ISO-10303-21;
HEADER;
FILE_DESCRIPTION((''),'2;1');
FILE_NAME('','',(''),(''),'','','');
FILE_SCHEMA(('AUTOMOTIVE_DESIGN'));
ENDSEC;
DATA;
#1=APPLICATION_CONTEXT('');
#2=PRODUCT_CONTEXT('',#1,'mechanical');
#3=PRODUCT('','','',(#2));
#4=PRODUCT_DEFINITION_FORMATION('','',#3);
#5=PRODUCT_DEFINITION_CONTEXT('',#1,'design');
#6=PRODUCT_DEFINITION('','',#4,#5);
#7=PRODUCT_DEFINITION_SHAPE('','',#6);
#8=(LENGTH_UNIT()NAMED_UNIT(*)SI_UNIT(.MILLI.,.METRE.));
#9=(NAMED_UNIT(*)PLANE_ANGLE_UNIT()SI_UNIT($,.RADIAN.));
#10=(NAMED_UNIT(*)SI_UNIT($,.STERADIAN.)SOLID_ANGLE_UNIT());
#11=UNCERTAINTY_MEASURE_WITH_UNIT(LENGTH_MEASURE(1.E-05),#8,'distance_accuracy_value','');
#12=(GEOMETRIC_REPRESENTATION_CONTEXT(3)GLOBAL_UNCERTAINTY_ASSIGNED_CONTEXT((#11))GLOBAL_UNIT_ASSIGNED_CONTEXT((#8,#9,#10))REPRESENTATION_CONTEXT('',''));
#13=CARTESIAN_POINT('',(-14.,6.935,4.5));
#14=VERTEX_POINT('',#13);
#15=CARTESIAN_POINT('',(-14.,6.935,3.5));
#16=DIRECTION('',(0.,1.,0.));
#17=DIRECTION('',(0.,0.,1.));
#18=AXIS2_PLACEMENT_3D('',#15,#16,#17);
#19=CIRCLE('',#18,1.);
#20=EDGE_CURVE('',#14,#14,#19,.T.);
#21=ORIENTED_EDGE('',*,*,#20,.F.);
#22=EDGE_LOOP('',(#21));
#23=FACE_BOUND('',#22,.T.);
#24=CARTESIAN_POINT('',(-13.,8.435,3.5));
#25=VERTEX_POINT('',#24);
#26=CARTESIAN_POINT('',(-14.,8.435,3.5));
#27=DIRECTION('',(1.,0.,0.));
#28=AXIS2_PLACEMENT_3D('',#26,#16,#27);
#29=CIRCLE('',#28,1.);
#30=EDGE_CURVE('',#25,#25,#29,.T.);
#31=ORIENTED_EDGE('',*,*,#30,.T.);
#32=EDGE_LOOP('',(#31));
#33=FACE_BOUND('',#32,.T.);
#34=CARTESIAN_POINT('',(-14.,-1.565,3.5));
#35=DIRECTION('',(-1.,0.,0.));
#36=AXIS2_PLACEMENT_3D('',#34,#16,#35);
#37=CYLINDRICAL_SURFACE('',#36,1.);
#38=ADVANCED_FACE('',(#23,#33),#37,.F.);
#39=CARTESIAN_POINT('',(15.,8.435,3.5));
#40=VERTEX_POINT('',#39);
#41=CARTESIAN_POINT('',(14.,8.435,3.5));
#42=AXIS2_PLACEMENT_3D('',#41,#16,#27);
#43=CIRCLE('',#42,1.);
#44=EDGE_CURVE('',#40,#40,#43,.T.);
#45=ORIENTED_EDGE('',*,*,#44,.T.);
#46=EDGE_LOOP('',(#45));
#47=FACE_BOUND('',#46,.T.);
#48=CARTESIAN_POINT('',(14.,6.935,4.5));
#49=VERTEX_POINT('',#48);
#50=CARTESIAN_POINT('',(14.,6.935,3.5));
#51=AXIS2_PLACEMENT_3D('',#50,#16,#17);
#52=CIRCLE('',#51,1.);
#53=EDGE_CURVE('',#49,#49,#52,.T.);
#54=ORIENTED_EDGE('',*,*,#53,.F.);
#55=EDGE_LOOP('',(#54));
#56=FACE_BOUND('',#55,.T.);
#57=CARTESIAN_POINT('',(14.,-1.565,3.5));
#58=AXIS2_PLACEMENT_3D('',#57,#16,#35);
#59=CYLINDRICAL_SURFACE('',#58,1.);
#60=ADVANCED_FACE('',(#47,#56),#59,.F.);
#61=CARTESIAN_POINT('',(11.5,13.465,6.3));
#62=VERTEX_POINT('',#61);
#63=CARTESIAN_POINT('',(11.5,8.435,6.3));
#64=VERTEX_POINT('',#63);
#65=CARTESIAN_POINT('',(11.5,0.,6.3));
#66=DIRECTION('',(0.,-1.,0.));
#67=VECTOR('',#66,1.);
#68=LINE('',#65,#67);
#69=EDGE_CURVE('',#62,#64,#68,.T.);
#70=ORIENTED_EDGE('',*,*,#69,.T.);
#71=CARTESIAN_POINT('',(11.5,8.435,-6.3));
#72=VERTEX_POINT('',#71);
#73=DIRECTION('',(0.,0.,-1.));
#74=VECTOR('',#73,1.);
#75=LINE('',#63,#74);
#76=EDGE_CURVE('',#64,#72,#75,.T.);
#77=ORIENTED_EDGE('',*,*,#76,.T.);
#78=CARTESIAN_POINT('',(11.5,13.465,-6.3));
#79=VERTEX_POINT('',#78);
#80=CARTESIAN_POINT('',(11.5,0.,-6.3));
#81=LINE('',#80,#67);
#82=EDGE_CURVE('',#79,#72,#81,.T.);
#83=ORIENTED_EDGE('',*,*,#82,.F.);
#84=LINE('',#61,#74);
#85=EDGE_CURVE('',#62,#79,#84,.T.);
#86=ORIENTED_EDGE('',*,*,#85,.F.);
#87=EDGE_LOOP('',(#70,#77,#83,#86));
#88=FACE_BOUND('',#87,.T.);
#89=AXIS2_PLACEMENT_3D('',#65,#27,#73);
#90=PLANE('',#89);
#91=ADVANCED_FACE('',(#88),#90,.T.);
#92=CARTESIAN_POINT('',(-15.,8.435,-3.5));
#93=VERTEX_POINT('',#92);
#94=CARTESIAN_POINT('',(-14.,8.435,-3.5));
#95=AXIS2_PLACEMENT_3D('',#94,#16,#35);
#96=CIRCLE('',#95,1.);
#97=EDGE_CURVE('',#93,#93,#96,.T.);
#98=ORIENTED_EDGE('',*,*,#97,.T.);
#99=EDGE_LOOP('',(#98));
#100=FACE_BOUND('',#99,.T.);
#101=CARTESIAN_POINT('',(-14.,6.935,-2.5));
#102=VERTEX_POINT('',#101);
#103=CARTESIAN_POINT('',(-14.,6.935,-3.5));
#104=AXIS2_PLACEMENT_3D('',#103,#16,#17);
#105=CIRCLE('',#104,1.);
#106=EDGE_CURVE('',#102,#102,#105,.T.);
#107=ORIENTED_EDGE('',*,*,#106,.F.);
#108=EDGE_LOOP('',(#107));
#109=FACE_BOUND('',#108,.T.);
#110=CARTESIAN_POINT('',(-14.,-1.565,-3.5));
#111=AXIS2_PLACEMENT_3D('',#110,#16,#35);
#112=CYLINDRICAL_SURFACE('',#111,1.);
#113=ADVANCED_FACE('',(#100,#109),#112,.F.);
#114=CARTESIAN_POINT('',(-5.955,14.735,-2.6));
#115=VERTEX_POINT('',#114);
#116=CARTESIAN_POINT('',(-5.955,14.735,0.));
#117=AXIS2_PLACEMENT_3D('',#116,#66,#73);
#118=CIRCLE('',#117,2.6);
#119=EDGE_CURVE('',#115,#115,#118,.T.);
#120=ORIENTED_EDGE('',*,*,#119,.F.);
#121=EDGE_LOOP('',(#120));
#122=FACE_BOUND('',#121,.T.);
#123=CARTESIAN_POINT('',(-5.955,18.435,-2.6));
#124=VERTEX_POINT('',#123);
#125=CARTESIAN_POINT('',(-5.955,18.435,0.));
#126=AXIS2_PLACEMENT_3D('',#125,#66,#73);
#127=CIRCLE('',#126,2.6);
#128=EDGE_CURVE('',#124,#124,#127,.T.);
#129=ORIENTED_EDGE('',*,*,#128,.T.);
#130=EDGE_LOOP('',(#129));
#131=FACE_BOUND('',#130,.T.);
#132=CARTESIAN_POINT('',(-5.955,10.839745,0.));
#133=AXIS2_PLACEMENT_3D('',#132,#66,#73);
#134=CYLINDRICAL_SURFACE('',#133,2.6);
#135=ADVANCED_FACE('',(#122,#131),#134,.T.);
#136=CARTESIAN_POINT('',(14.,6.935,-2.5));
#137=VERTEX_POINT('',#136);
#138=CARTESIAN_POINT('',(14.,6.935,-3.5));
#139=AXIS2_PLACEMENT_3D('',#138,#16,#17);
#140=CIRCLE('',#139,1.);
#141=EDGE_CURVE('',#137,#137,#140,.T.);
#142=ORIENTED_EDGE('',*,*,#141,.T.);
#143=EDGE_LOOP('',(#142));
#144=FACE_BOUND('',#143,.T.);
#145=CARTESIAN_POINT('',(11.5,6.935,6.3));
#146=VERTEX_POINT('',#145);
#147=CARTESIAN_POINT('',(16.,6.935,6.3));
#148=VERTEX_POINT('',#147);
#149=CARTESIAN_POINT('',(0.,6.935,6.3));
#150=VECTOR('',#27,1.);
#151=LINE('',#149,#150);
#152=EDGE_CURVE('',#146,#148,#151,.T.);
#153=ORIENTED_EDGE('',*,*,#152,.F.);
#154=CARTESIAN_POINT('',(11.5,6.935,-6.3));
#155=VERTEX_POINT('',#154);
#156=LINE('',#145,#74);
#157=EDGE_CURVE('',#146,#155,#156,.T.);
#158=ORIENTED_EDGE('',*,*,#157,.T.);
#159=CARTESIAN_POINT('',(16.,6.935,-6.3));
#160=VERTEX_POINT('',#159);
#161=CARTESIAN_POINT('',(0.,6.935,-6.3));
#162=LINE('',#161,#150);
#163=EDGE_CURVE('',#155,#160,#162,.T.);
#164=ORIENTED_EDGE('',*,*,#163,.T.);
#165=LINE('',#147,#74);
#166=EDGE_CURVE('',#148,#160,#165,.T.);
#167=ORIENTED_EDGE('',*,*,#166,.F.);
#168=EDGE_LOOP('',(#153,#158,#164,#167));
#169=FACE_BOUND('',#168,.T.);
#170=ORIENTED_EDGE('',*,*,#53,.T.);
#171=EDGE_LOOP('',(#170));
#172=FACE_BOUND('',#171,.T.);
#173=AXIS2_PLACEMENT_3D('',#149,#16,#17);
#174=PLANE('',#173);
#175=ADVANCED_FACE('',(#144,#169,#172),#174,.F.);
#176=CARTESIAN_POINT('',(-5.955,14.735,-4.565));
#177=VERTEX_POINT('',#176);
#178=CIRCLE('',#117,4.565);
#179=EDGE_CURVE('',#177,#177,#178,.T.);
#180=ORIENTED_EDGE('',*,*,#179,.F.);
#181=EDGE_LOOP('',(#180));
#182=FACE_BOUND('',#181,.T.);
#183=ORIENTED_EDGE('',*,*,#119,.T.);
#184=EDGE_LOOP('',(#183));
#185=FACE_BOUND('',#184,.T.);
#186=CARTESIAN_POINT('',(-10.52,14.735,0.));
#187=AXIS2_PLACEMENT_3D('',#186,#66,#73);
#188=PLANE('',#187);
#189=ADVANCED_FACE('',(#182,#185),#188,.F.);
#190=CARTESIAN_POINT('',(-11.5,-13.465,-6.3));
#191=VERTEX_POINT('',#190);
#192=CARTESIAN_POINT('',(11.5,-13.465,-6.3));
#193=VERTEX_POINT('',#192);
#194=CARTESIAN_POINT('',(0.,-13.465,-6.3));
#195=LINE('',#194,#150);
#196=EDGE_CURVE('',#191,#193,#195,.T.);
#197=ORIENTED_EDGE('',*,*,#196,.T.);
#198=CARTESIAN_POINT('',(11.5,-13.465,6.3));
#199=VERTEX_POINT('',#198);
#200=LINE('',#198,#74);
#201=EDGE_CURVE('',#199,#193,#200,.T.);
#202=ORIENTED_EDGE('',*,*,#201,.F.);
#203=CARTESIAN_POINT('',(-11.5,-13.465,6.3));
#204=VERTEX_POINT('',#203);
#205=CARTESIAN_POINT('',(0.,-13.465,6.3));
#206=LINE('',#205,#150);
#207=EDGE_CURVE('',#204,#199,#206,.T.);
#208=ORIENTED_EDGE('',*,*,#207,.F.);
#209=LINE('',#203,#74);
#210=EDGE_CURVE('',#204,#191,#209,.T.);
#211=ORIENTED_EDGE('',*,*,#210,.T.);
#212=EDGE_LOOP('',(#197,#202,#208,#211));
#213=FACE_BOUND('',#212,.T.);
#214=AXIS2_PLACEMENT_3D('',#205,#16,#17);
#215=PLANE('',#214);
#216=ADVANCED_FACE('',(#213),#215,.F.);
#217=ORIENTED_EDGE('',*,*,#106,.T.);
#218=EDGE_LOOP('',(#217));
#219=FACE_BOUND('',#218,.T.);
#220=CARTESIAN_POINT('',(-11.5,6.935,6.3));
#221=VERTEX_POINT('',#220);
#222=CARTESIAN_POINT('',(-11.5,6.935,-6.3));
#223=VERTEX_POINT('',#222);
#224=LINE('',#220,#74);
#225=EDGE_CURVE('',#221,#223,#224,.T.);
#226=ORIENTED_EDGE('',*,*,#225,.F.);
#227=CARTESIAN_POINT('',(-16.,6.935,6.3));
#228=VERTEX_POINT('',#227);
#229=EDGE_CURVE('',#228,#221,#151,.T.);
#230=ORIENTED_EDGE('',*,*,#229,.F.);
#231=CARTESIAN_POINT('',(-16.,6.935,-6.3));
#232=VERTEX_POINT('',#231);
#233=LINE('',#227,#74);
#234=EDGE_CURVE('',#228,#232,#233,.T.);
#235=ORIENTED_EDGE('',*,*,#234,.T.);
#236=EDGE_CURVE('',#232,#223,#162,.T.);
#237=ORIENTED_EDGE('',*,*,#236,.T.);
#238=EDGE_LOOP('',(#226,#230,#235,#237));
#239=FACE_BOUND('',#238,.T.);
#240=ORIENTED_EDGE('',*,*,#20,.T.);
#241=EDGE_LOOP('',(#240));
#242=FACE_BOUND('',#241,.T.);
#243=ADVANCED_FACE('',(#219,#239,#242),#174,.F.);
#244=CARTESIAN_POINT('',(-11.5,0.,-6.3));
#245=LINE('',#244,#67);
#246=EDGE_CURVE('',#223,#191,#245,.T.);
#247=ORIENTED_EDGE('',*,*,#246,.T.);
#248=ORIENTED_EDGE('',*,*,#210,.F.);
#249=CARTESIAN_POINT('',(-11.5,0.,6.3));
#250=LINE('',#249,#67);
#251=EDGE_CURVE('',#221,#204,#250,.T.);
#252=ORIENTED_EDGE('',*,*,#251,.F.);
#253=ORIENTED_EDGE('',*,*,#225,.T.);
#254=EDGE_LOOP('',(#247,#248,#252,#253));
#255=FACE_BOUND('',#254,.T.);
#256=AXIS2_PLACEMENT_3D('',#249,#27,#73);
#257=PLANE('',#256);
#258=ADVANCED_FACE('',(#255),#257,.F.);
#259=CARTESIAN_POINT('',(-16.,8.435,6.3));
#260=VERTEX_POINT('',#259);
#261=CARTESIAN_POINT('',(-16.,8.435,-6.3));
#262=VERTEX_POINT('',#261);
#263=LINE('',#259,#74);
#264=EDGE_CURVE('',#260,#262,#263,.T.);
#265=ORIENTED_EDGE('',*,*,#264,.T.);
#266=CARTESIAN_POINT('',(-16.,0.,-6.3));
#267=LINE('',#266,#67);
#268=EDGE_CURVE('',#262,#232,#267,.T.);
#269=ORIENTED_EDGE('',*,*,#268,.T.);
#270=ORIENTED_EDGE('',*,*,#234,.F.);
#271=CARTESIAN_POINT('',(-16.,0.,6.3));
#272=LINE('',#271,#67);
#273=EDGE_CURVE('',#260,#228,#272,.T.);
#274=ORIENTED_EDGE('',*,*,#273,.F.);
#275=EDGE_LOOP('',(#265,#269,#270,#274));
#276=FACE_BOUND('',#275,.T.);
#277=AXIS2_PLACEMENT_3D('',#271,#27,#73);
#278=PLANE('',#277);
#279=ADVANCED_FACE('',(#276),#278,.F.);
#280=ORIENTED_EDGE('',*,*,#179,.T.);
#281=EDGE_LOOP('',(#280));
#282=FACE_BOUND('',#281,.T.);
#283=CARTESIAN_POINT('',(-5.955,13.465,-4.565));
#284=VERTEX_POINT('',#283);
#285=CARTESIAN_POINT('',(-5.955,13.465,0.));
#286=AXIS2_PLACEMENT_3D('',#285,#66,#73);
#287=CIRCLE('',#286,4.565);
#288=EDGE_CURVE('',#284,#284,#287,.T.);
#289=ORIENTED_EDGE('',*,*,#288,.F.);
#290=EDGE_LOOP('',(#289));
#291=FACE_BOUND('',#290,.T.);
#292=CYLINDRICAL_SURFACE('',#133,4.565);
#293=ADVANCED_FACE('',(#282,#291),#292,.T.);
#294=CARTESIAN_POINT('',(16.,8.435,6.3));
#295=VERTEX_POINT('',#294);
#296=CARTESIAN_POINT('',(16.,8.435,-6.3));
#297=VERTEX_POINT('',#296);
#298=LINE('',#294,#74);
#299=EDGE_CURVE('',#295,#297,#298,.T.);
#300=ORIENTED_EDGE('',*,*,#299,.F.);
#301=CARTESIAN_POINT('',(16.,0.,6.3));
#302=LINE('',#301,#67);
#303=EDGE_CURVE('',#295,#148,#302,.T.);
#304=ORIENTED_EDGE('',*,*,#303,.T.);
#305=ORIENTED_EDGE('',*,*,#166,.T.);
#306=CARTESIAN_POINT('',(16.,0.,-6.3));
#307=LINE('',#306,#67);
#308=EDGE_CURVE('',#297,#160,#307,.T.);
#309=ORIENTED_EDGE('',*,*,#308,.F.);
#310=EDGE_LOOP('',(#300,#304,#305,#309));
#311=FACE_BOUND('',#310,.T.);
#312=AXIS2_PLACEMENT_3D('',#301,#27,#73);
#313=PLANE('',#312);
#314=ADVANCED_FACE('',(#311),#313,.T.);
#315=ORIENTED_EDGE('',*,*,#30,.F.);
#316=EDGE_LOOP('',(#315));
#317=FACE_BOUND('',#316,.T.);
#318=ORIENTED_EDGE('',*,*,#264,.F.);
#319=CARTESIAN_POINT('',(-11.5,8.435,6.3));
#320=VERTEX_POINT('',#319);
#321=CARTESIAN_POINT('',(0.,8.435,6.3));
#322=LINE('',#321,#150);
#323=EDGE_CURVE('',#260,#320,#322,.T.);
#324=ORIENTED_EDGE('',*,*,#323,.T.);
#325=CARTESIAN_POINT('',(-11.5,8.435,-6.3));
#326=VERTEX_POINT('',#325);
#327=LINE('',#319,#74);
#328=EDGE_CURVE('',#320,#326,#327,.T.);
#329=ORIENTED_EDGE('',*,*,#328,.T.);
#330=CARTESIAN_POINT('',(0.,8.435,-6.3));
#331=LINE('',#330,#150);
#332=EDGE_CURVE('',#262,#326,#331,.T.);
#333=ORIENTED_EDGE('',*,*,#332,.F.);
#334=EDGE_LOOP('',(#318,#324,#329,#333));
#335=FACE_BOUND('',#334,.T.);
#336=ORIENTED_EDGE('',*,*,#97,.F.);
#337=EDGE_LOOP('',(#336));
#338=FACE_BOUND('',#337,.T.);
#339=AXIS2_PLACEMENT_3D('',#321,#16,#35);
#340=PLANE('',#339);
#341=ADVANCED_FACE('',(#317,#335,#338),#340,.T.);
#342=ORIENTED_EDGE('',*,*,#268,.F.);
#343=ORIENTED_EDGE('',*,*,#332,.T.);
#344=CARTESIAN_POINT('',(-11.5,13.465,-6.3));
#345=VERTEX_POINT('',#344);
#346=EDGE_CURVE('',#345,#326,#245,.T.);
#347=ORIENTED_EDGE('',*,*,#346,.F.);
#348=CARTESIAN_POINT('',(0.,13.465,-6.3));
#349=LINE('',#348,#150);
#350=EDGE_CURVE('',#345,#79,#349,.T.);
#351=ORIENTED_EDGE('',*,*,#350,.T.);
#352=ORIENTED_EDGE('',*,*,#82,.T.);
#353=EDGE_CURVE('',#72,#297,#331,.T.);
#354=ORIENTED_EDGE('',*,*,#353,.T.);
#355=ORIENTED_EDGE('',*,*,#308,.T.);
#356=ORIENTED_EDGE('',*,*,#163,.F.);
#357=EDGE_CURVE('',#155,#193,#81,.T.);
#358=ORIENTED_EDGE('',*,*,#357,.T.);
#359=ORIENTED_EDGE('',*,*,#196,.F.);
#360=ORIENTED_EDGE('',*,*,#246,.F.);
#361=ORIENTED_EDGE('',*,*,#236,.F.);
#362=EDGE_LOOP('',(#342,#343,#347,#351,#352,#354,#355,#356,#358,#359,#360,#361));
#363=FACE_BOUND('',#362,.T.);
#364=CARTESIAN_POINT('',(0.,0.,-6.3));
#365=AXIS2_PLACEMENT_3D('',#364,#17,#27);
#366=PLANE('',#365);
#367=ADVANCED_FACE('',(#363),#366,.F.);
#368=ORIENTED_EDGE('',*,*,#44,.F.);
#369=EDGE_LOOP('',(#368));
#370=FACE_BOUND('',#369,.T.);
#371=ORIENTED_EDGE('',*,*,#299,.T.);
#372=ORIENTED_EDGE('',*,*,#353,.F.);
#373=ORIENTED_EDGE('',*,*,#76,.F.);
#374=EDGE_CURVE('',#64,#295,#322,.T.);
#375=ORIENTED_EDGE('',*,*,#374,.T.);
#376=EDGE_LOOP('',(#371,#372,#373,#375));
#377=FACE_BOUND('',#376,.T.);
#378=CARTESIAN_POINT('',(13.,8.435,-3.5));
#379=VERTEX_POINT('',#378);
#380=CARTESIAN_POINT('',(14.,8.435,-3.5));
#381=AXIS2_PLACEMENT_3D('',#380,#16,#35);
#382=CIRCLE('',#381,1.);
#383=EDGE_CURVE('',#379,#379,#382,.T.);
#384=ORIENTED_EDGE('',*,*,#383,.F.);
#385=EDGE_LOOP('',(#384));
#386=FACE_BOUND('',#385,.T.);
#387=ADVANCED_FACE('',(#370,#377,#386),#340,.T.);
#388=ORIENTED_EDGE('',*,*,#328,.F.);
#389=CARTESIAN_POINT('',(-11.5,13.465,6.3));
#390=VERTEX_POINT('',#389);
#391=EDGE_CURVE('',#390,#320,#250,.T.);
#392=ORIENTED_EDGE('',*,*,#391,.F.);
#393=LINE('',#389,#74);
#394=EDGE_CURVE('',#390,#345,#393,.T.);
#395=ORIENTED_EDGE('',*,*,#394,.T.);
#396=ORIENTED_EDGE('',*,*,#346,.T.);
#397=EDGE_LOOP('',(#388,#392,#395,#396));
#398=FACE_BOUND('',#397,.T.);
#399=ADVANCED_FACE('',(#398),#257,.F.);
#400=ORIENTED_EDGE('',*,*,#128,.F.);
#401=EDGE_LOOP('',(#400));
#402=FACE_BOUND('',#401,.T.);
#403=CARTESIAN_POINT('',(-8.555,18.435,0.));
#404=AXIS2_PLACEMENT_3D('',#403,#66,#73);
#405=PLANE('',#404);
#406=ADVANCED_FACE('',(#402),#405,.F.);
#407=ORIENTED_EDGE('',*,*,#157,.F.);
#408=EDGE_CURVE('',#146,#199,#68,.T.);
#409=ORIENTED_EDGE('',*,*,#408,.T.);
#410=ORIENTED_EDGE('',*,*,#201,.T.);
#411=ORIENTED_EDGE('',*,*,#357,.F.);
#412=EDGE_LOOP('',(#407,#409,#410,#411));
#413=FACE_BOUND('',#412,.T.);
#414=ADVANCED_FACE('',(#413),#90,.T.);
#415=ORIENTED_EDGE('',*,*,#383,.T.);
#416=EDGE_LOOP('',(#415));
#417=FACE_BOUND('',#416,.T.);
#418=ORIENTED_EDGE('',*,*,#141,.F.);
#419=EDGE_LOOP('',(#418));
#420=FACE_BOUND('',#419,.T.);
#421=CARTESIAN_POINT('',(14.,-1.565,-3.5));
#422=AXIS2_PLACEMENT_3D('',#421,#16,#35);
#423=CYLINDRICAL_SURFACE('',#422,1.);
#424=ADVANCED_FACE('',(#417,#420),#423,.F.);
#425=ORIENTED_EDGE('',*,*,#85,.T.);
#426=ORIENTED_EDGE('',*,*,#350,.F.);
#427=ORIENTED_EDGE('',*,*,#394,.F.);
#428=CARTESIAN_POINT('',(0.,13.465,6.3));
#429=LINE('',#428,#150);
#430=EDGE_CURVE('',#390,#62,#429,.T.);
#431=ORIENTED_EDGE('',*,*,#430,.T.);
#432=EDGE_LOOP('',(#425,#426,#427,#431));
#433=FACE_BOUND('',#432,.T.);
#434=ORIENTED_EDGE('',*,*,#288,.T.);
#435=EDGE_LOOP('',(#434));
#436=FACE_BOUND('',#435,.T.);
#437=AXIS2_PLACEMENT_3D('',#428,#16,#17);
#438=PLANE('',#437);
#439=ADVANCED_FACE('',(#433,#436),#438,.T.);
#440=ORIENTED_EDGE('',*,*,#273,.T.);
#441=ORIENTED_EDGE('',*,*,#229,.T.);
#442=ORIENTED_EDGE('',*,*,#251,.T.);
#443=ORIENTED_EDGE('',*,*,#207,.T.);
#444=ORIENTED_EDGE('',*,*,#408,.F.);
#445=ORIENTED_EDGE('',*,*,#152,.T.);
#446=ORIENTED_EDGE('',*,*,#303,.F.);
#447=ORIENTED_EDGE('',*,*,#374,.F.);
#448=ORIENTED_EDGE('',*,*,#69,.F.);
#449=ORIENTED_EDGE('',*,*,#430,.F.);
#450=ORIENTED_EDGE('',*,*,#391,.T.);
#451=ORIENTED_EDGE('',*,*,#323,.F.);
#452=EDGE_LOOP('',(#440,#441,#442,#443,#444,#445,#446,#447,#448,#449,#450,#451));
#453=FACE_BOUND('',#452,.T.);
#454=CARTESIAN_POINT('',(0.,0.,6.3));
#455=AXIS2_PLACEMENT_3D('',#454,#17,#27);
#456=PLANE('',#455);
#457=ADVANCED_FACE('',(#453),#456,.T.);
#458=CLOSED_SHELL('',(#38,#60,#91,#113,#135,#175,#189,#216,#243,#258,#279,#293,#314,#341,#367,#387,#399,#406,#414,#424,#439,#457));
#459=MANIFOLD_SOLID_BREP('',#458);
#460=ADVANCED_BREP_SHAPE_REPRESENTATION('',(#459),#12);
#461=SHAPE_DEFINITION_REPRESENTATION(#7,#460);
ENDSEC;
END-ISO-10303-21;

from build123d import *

# Parameters (mm, degrees)
SKETCH_1_W          = 23
SKETCH_1_H          = 5.03
SKETCH_1_W_2        = 4.5
SKETCH_1_H_2        = 1.5
SKETCH_1_H_3        = 20.4
EXTRUDE_1_DEPTH     = 6.3
SKETCH_3_R          = 1
CUT_EXTRUDE_1_DEPTH = 10


with BuildPart() as part:
    # 草图1 → 凸台-拉伸1 (new, symmetric)
    with BuildSketch(Plane.XY):
        with Locations((0, 10.95)):
            Rectangle(SKETCH_1_W, SKETCH_1_H)
        with Locations((13.75, 7.685)):
            Rectangle(SKETCH_1_W_2, SKETCH_1_H_2)
        with Locations((0, -3.265)):
            Rectangle(SKETCH_1_W, SKETCH_1_H_3)
        with Locations((-13.75, 7.685)):
            Rectangle(SKETCH_1_W_2, SKETCH_1_H_2)
        with Locations((0, 7.685)):
            Rectangle(SKETCH_1_W, SKETCH_1_H_2)
    extrude(amount=EXTRUDE_1_DEPTH, both=True)

    # 草图2 → 旋转1 (revolve)
    with BuildSketch(Plane.XY, mode=Mode.PRIVATE) as revolve_1_sk:
        Polygon((-5.955, 13.465), (-10.52, 13.465), (-10.52, 14.735), (-8.555, 14.735), (-8.555, 18.435), (-5.955, 18.435), align=None)
    revolve(revolve_1_sk.sketch.rotate(Axis((-5.955, 10.839744531, 0), (0, 1, 0)), 270), axis=Axis((-5.955, 10.839744531, 0), (0, 1, 0)))

    # 草图3 → 切除-拉伸1 (cut)
    with BuildSketch(Plane(origin=(0, 8.435, 0), x_dir=(1, 0, 0), z_dir=(0, 1, 0))):
        with Locations(Location((-14, 3.5, 0), (0, 0, 180))):
            Circle(SKETCH_3_R)
        with Locations(Location((14, 3.5, 0), (0, 0, 180))):
            Circle(SKETCH_3_R)
        with Locations(Location((14, -3.5, 0), (0, 0, 270))):
            Circle(SKETCH_3_R)
        with Locations(Location((-14, -3.5, 0), (0, 0, 270))):
            Circle(SKETCH_3_R)
    extrude(amount=-CUT_EXTRUDE_1_DEPTH, mode=Mode.SUBTRACT)


solid = part.part
